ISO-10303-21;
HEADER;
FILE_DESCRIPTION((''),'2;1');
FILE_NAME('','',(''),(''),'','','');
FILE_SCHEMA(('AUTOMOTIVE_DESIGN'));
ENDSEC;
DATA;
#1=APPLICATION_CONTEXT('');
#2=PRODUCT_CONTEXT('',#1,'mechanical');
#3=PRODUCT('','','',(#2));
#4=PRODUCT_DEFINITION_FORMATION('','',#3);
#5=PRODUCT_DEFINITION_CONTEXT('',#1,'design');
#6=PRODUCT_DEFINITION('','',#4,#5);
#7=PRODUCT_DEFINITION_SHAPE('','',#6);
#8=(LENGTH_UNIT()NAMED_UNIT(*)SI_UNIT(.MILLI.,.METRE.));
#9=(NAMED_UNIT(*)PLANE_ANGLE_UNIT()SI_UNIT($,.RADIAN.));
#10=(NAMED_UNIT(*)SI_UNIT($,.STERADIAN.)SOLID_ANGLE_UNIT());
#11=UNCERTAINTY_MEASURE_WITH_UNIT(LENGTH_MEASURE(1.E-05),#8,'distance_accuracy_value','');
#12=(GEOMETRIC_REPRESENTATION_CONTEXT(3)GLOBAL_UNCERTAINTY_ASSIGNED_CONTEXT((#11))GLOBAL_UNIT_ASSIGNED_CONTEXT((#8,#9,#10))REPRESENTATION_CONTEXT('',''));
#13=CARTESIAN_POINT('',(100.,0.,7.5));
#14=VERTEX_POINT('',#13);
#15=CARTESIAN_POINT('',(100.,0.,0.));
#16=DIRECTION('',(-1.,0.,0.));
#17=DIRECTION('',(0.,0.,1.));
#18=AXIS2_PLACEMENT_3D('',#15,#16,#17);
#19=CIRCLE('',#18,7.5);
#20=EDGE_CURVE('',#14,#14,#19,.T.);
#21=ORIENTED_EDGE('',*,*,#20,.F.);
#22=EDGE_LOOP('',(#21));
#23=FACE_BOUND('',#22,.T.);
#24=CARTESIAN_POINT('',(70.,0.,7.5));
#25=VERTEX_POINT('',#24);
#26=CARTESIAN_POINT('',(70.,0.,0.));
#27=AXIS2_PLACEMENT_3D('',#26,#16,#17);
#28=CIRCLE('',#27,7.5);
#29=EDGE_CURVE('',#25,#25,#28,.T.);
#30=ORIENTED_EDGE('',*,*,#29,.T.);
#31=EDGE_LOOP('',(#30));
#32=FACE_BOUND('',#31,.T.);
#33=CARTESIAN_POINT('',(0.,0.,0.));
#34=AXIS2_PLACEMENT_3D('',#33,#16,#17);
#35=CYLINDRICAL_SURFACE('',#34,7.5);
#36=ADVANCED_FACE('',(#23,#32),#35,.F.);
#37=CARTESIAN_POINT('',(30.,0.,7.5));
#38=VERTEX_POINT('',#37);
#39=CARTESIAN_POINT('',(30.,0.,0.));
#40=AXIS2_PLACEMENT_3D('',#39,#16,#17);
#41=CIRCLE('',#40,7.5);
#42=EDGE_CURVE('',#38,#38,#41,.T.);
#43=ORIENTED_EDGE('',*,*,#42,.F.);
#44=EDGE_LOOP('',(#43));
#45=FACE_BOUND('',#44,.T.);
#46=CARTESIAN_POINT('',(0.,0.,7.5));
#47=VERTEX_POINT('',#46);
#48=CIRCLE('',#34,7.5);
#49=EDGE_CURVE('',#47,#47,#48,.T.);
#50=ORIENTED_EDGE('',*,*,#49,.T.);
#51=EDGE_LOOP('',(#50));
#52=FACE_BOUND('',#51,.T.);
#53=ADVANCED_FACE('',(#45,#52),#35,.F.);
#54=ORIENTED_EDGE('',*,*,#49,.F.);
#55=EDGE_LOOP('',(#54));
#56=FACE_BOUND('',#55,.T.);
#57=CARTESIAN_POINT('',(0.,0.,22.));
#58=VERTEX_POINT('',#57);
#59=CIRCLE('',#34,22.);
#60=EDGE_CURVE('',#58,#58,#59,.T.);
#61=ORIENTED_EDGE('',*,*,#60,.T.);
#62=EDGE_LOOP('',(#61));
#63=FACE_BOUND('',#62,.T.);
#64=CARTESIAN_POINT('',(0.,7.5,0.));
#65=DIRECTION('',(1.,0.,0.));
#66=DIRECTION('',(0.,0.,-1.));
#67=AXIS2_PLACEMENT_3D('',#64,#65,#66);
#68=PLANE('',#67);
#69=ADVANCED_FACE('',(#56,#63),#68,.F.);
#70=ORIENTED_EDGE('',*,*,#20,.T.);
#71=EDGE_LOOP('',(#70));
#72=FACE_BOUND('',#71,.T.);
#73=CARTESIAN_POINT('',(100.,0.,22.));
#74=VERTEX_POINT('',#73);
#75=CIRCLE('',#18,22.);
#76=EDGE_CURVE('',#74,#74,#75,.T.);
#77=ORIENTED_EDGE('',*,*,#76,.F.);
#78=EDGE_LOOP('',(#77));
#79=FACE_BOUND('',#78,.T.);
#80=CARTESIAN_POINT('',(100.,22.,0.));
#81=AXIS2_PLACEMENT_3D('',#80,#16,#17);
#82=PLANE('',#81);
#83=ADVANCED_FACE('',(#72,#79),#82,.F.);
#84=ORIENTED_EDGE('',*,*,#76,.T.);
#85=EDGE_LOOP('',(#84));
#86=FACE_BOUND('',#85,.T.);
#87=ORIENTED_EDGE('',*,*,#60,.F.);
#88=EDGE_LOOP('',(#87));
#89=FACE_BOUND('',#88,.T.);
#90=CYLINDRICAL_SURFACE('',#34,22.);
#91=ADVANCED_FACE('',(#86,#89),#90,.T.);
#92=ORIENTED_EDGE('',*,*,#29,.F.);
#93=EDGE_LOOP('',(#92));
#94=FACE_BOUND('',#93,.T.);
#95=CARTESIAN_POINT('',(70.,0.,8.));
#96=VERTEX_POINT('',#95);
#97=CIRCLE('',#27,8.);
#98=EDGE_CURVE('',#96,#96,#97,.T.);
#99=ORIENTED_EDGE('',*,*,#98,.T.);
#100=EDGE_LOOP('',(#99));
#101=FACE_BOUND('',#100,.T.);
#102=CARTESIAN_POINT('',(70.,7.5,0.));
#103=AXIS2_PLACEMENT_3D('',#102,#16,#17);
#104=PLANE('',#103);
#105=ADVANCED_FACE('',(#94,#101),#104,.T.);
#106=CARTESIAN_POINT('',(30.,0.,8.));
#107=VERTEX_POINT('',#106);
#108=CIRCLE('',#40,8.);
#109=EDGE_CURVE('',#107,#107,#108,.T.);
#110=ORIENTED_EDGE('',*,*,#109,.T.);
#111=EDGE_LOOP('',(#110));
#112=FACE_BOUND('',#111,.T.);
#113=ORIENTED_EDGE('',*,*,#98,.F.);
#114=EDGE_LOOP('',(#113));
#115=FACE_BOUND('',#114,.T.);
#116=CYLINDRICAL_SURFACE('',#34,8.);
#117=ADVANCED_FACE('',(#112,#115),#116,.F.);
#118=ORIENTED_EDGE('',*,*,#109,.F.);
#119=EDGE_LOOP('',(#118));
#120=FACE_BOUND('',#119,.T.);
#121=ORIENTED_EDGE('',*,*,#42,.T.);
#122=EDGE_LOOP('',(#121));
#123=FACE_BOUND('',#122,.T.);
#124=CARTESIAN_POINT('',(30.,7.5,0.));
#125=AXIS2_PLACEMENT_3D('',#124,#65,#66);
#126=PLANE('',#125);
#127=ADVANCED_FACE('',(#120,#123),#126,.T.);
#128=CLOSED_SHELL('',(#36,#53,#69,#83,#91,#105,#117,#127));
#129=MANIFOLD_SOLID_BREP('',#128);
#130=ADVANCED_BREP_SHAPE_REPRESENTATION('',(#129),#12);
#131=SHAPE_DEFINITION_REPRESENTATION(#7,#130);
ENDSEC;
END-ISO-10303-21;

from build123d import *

# Parameters (mm, degrees)
SKETCH1_W = 100
SKETCH1_H = 14.5
SKETCH2_W = 40
SKETCH2_H = 0.5


with BuildPart() as part:
    # Sketch1 → Revolve1 (revolve)
    with BuildSketch(Plane.XY, mode=Mode.PRIVATE) as revolve1_sk:
        with Locations((50, 14.75)):
            Rectangle(SKETCH1_W, SKETCH1_H)
    revolve(revolve1_sk.sketch.rotate(Axis((0, 0, 0), (1, 0, 0)), 90), axis=Axis((0, 0, 0), (1, 0, 0)))

    # Sketch2 → Cut-Revolve1 (revolve, cut)
    with BuildSketch(Plane.XY, mode=Mode.PRIVATE) as cut_revolve1_sk:
        with Locations((50, 7.75)):
            Rectangle(SKETCH2_W, SKETCH2_H)
    revolve(cut_revolve1_sk.sketch.rotate(Axis((0, 0, 0), (1, 0, 0)), 90), axis=Axis((0, 0, 0), (1, 0, 0)), mode=Mode.SUBTRACT)


solid = part.part
